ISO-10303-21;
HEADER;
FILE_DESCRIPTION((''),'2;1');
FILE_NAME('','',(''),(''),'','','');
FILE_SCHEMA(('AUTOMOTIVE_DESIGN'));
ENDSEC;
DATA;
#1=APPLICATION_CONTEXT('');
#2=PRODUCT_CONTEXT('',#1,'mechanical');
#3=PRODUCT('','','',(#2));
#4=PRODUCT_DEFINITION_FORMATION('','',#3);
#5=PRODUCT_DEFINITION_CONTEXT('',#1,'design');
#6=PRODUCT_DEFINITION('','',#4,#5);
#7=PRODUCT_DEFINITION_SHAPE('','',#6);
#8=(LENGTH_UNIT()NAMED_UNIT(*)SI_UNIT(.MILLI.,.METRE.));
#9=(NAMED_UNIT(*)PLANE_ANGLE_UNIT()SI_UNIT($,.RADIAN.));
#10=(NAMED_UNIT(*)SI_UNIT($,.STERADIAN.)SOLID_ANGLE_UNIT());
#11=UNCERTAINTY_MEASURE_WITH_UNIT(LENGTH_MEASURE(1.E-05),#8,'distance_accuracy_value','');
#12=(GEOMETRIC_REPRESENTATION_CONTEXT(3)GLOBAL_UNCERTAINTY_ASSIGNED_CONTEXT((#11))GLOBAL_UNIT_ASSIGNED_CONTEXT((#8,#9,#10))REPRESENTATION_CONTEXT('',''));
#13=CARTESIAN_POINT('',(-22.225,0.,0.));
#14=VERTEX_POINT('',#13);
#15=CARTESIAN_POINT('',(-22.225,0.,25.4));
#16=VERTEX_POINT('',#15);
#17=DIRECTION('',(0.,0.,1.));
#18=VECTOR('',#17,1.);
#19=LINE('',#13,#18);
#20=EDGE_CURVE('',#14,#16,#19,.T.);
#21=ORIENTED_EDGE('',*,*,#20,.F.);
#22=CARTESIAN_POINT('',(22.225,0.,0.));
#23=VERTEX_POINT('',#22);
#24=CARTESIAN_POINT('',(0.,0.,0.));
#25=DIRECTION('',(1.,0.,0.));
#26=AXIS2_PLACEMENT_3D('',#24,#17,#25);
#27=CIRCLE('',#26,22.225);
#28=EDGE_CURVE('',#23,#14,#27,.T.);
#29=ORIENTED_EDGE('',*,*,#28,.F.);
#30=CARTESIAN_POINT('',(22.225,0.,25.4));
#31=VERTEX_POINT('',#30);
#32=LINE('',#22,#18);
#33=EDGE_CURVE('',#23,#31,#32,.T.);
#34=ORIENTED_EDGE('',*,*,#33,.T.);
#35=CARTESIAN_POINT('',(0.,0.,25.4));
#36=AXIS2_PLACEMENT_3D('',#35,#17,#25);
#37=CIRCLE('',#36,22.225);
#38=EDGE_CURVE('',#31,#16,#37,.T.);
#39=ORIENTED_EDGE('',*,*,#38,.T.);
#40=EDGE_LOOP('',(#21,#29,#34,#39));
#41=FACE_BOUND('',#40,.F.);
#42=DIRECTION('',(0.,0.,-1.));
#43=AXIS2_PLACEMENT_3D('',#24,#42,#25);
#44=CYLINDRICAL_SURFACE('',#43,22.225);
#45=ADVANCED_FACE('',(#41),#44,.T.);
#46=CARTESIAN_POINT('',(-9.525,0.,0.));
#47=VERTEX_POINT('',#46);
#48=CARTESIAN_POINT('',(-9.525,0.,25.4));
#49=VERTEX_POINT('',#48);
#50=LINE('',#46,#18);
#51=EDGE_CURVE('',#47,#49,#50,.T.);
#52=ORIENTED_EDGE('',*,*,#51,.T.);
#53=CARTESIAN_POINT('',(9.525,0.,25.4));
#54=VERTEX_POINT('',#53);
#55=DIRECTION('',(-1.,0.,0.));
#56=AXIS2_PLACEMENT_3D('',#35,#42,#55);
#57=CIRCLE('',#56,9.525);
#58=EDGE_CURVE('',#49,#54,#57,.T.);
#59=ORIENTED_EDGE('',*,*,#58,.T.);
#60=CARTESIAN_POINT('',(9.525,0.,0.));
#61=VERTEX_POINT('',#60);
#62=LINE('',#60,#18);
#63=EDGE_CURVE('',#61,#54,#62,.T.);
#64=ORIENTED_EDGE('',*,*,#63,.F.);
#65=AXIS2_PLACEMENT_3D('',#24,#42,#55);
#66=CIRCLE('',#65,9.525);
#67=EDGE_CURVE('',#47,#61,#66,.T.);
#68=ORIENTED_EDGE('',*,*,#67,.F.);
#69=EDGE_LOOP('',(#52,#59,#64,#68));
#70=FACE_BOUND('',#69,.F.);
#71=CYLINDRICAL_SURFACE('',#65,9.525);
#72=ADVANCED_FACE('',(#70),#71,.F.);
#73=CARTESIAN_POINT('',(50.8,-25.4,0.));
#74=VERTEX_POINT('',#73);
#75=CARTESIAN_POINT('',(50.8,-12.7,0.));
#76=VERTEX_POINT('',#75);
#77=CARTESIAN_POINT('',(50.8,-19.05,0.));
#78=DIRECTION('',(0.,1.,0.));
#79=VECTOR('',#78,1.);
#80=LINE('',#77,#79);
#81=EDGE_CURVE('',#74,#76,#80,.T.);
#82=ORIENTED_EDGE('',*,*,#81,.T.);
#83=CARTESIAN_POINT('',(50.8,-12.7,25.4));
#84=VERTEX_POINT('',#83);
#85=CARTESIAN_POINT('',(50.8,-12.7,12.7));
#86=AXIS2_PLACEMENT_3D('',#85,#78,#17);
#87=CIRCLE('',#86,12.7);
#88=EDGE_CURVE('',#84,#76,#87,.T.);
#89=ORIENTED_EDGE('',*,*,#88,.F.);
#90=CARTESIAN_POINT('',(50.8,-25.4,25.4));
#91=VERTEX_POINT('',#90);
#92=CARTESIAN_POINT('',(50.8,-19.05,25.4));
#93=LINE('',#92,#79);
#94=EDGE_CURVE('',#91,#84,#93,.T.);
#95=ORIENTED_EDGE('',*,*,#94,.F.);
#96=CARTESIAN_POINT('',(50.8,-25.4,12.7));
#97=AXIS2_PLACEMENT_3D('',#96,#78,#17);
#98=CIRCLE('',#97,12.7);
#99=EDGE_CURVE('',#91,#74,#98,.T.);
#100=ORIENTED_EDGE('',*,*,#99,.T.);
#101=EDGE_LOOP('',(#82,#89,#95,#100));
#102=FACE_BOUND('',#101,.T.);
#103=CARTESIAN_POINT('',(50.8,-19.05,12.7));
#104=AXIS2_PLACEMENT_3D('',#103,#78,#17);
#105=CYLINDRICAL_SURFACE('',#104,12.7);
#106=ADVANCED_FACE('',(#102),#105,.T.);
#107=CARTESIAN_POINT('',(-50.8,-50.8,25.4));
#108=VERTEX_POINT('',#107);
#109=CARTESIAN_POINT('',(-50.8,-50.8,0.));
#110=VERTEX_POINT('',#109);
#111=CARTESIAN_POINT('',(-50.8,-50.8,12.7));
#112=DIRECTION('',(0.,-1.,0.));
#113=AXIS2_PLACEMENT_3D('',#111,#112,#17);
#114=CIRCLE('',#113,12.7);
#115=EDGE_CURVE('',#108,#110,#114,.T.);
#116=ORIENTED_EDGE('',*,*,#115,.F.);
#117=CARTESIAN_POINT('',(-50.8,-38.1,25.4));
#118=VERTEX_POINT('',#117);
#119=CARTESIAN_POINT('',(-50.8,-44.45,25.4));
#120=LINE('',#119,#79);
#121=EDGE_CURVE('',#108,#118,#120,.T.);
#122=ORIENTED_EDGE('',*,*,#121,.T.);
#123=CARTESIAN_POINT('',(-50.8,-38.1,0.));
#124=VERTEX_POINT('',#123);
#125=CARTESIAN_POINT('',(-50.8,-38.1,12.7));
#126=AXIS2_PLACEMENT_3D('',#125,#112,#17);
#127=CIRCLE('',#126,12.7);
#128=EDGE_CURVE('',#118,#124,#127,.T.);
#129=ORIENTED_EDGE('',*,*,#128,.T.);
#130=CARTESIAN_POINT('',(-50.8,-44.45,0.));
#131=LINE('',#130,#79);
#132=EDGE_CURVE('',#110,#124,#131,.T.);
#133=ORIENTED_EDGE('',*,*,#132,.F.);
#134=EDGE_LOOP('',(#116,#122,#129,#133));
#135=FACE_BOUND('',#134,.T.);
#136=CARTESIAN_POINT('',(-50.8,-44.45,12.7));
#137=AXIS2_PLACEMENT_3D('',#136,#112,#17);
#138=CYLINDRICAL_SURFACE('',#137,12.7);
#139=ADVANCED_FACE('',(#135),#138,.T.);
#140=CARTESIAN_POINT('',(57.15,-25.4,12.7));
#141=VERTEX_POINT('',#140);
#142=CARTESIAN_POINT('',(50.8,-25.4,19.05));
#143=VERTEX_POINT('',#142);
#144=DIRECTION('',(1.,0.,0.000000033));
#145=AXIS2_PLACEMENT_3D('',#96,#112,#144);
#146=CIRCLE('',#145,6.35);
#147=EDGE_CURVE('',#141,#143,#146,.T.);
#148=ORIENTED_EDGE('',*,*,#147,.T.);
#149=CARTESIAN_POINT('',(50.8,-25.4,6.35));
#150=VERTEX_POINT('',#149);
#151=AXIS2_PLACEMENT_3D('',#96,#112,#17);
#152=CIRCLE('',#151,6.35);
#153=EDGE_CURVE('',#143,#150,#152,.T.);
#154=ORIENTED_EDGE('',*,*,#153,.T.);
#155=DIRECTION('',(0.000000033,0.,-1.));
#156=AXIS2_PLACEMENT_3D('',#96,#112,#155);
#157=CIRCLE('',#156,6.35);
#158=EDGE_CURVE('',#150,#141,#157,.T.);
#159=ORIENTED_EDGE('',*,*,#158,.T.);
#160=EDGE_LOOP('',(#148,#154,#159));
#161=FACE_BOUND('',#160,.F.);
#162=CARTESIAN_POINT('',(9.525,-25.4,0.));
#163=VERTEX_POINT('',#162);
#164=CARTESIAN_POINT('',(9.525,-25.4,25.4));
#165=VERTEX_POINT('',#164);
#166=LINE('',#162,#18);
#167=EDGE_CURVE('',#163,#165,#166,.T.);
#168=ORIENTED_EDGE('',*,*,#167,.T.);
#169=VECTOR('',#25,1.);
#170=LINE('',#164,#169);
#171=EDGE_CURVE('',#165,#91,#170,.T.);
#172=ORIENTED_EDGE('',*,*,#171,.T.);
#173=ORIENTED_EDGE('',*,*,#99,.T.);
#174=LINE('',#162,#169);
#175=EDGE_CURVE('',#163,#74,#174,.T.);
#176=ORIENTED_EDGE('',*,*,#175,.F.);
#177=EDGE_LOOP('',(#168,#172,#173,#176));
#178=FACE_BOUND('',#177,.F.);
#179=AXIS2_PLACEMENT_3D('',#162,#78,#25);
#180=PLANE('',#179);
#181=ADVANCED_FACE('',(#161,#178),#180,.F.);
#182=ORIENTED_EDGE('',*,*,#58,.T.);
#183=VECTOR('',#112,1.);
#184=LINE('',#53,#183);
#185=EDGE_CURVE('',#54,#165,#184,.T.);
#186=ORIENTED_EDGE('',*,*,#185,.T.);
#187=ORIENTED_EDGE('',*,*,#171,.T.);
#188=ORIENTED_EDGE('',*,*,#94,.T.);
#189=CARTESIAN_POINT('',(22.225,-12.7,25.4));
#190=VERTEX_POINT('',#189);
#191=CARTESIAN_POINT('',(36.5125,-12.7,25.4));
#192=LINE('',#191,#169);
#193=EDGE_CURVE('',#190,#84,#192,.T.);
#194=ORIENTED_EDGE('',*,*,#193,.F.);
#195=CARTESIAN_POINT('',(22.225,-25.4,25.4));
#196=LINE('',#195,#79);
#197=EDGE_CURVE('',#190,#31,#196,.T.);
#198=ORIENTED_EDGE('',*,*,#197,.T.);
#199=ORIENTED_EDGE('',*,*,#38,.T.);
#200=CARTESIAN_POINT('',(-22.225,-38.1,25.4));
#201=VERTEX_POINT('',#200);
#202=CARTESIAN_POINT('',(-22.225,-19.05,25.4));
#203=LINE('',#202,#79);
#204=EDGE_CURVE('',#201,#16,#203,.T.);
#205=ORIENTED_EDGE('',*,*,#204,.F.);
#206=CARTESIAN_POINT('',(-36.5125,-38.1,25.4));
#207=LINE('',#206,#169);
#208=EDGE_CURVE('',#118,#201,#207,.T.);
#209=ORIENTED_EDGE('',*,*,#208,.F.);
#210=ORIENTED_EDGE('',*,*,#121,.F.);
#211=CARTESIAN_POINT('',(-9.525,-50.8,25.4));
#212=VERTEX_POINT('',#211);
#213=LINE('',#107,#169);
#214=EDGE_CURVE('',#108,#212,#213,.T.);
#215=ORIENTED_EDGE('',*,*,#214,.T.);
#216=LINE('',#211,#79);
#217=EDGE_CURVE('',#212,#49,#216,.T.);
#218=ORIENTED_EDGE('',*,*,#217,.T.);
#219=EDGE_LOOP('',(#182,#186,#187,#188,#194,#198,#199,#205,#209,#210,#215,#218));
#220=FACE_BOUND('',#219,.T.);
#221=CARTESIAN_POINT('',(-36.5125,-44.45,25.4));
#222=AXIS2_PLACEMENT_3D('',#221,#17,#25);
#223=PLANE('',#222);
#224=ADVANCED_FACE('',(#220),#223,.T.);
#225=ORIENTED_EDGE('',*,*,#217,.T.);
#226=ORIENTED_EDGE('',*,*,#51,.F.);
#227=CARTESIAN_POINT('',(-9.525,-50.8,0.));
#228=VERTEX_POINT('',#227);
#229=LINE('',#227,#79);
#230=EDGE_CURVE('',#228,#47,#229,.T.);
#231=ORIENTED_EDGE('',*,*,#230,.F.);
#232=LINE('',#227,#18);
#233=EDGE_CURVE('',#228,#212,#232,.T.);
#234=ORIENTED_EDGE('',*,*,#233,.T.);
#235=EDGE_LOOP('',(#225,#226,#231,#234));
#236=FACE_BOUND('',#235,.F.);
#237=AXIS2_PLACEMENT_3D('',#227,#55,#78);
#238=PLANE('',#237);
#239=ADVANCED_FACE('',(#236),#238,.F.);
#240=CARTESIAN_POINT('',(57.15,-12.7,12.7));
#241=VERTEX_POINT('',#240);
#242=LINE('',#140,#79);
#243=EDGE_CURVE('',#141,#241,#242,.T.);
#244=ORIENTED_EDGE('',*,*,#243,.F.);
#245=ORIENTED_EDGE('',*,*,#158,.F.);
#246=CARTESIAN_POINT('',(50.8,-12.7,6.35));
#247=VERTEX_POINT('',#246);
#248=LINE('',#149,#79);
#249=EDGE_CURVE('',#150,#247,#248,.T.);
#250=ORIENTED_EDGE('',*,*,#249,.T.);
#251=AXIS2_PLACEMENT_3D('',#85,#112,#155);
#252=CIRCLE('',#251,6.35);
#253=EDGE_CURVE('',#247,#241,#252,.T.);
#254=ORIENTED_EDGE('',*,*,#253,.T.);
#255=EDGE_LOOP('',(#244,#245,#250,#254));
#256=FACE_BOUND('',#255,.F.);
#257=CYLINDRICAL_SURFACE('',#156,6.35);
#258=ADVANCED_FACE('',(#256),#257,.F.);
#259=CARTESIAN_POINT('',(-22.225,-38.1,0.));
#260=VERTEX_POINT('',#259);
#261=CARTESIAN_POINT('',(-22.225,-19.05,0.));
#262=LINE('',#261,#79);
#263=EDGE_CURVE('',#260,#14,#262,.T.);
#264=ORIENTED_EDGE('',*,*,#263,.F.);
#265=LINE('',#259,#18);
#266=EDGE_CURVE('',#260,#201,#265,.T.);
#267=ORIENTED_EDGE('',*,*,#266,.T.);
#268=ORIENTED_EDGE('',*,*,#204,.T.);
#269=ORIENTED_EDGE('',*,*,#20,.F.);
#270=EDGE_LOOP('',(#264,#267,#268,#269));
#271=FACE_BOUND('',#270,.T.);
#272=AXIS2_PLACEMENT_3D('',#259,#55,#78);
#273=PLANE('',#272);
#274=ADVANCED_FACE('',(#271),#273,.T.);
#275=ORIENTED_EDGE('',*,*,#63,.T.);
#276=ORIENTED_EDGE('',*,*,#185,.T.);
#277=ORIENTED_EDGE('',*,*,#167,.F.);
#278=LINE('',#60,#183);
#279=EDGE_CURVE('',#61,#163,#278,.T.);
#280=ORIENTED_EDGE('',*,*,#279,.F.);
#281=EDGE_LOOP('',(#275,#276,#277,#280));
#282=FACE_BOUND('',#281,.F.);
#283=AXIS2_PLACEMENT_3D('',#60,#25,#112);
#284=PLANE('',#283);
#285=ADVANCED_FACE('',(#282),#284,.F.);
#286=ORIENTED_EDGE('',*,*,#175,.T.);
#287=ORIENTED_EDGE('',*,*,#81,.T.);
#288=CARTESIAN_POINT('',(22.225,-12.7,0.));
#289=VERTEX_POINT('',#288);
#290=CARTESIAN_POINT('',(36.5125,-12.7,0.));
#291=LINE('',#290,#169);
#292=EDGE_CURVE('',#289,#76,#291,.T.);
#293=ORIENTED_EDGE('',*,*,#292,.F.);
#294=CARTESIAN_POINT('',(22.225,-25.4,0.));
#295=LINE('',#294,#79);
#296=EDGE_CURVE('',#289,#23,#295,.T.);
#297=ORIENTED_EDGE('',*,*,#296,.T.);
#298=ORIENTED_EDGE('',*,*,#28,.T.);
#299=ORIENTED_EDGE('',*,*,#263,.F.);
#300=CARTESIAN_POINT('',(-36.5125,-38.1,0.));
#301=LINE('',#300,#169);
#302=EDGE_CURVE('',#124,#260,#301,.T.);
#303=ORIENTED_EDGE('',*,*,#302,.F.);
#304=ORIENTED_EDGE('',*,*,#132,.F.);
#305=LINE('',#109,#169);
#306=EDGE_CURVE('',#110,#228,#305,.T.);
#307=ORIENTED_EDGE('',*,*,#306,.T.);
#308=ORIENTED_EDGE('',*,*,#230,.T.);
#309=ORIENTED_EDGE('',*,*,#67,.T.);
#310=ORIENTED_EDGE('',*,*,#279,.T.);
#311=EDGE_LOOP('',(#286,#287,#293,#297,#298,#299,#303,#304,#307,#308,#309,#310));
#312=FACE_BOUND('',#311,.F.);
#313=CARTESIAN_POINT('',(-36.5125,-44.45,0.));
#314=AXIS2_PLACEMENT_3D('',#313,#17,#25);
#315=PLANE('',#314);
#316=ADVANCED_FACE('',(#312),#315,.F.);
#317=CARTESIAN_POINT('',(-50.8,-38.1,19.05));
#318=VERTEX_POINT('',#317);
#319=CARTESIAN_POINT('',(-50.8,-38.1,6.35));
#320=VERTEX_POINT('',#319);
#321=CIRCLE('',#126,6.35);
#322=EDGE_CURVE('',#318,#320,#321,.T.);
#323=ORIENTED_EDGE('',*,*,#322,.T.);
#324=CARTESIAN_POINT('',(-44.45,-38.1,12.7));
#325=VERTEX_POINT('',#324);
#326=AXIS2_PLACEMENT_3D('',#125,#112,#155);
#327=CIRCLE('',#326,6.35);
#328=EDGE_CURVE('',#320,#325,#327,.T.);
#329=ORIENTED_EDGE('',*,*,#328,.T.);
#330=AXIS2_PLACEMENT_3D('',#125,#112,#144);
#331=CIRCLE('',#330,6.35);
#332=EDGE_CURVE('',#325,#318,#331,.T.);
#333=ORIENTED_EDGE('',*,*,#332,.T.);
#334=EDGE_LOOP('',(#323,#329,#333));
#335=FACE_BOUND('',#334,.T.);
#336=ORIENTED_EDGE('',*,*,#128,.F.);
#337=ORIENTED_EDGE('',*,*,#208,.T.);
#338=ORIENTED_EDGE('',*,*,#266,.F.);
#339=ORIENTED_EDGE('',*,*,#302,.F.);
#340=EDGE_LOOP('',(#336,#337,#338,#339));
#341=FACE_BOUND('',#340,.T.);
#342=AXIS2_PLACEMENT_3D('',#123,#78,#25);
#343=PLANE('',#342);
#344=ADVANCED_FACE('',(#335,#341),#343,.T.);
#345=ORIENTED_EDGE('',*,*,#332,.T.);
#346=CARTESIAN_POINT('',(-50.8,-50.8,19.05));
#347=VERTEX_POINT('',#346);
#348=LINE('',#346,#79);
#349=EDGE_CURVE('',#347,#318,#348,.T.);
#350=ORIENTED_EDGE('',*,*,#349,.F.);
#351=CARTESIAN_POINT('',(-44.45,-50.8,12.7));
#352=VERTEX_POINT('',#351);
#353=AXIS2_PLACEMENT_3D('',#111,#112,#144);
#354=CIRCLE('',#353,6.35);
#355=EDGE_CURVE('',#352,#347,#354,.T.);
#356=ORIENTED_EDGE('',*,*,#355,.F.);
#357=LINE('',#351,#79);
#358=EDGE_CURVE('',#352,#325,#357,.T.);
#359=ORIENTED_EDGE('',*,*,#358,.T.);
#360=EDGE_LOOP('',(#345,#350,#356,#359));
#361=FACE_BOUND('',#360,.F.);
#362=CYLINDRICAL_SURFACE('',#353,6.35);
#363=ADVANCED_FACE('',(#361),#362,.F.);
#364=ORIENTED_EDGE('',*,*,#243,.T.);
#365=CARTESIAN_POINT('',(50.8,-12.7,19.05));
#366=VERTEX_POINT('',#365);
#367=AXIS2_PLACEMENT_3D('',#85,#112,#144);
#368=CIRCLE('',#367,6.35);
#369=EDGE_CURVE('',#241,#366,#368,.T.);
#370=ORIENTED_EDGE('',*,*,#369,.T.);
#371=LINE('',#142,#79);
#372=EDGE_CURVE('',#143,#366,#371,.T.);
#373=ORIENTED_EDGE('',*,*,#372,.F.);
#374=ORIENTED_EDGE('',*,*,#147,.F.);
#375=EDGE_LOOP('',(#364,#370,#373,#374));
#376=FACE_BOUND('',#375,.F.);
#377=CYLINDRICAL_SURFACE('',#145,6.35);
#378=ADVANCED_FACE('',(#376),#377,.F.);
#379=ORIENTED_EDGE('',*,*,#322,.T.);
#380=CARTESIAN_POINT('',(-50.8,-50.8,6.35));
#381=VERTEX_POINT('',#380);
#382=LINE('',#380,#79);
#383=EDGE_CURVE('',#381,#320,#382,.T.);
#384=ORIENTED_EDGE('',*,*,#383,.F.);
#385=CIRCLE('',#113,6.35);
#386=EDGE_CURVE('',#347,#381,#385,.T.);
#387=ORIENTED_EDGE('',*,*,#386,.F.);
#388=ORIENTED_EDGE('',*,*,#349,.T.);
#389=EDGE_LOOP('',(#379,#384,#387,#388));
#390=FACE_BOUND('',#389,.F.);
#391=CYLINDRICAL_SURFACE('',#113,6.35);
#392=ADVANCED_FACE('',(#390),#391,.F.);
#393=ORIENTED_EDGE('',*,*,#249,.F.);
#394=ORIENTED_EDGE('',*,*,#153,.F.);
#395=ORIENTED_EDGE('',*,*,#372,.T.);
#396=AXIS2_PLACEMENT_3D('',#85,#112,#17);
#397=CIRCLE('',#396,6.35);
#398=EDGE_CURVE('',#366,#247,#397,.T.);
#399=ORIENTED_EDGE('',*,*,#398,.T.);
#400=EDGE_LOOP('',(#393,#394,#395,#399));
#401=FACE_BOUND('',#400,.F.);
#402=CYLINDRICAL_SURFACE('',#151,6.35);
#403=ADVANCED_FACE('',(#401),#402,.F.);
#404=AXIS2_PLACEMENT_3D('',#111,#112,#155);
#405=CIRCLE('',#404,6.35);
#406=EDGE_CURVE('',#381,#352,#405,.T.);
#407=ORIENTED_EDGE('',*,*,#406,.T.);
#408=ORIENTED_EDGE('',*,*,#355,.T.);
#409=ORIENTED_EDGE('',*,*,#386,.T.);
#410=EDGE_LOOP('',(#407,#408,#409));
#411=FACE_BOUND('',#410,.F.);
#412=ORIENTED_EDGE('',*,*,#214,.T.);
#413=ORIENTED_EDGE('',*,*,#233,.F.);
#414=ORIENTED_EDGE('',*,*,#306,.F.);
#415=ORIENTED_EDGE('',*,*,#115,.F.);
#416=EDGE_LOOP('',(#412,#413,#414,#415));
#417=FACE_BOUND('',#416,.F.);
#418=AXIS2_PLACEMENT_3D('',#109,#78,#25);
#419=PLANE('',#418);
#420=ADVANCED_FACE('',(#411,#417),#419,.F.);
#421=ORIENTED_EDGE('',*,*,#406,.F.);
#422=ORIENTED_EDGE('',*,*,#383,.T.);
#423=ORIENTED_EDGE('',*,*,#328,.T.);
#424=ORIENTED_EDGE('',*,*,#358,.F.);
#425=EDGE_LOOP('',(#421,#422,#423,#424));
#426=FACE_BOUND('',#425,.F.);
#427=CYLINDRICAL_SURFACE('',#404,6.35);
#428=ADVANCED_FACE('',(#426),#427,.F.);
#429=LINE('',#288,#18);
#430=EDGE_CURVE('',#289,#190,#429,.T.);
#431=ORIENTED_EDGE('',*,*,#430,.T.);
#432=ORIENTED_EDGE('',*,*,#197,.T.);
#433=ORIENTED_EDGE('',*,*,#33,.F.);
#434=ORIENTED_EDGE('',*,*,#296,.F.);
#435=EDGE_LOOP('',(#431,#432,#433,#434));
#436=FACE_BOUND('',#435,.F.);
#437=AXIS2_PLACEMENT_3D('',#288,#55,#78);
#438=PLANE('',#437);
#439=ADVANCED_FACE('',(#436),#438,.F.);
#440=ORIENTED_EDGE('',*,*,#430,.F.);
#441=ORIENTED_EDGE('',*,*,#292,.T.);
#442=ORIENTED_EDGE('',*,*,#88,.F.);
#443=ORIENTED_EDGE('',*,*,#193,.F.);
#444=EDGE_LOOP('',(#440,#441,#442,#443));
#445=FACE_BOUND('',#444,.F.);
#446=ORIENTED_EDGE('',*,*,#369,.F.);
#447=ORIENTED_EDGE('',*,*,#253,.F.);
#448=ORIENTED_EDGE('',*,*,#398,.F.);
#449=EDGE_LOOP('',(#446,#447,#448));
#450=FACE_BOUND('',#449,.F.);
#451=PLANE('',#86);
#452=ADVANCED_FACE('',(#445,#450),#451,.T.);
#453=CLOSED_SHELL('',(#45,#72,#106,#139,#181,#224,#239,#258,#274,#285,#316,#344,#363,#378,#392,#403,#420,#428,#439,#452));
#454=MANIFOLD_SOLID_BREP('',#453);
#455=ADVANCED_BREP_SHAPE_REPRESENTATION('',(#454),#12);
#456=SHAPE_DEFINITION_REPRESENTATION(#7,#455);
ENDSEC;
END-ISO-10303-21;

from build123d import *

# Parameters (mm, degrees)
F0_W     = 28.575
F0_H     = 12.7
F0_W_2   = 12.7
F0_H_2   = 38.1
F1_DEPTH = 25.4
F2_W     = 12.7
F2_H     = 12.7
F4_W     = 12.7
F4_H     = 12.7
F7_DEPTH = 25.4
F9_DEPTH = 25.4


with BuildPart() as f1:
    # F0 (on Top) → F1 (new body)
    with BuildSketch(Plane.XY):
        with Locations((-36.5125, -44.45)):
            Rectangle(F0_W, F0_H)
        with Locations((-15.875, -19.05)):
            Rectangle(F0_W_2, F0_H_2)
        with BuildLine():
            ThreePointArc((22.225, 0), (0, 22.225), (-22.225, 0))
            Line((-22.225, 0), (-9.525, 0))
            ThreePointArc((-9.525, 0), (0, 9.525), (9.525, 0))
            Line((9.525, 0), (22.225, 0))
        make_face()
        with Locations((15.875, -6.35)):
            Rectangle(F0_W_2, F0_H)
        with Locations((15.875, -19.05)):
            Rectangle(F0_W_2, F0_H)
        with Locations((36.5125, -19.05)):
            Rectangle(F0_W, F0_H)
        with Locations((-15.875, -44.45)):
            Rectangle(F0_W_2, F0_H)
    extrude(amount=F1_DEPTH)

    # F2 (on face) → F3 (revolve)
    with BuildSketch(Plane(origin=(-50.8, 0, 0), x_dir=(0, -1, 0), z_dir=(-1, 0, 0))):
        with Locations((44.45, 19.05)):
            Rectangle(F2_W, F2_H)
    revolve(axis=Axis((-50.8, -44.45, 12.7), (0, -1, 0)))

    # F4 (on face) → F5 (revolve)
    with BuildSketch(Plane.YZ.offset(50.8)):
        with Locations((-19.05, 19.05)):
            Rectangle(F4_W, F4_H)
    revolve(axis=Axis((50.8, -19.05, 12.7), (0, 1, 0)))

    # F6 (on face) → F7 (cut)
    with BuildSketch(Plane.XZ.offset(25.4)):
        with BuildLine():
            ThreePointArc((57.15, 12.7), (55.290128, 17.190128), (50.8, 19.05))
            Line((50.8, 19.05), (50.8, 6.35))
            ThreePointArc((50.8, 6.35), (55.290128, 8.209872), (57.15, 12.7))
        make_face()
        with BuildLine():
            Line((50.8, 6.35), (50.8, 19.05))
            ThreePointArc((50.8, 19.05), (44.45, 12.7), (50.8, 6.35))
        make_face()
    extrude(amount=-F7_DEPTH, mode=Mode.SUBTRACT)

    # F8 (on face) → F9 (cut)
    with BuildSketch(Plane.XZ.offset(50.8)):
        with BuildLine():
            ThreePointArc((-44.45, 12.7), (-46.309872, 17.190128), (-50.8, 19.05))
            Line((-50.8, 19.05), (-50.8, 6.35))
            ThreePointArc((-50.8, 6.35), (-46.309872, 8.209872), (-44.45, 12.7))
        make_face()
        with BuildLine():
            Line((-50.8, 6.35), (-50.8, 19.05))
            ThreePointArc((-50.8, 19.05), (-57.15, 12.7), (-50.8, 6.35))
        make_face()
    extrude(amount=-F9_DEPTH, mode=Mode.SUBTRACT)


solid = f1.part
